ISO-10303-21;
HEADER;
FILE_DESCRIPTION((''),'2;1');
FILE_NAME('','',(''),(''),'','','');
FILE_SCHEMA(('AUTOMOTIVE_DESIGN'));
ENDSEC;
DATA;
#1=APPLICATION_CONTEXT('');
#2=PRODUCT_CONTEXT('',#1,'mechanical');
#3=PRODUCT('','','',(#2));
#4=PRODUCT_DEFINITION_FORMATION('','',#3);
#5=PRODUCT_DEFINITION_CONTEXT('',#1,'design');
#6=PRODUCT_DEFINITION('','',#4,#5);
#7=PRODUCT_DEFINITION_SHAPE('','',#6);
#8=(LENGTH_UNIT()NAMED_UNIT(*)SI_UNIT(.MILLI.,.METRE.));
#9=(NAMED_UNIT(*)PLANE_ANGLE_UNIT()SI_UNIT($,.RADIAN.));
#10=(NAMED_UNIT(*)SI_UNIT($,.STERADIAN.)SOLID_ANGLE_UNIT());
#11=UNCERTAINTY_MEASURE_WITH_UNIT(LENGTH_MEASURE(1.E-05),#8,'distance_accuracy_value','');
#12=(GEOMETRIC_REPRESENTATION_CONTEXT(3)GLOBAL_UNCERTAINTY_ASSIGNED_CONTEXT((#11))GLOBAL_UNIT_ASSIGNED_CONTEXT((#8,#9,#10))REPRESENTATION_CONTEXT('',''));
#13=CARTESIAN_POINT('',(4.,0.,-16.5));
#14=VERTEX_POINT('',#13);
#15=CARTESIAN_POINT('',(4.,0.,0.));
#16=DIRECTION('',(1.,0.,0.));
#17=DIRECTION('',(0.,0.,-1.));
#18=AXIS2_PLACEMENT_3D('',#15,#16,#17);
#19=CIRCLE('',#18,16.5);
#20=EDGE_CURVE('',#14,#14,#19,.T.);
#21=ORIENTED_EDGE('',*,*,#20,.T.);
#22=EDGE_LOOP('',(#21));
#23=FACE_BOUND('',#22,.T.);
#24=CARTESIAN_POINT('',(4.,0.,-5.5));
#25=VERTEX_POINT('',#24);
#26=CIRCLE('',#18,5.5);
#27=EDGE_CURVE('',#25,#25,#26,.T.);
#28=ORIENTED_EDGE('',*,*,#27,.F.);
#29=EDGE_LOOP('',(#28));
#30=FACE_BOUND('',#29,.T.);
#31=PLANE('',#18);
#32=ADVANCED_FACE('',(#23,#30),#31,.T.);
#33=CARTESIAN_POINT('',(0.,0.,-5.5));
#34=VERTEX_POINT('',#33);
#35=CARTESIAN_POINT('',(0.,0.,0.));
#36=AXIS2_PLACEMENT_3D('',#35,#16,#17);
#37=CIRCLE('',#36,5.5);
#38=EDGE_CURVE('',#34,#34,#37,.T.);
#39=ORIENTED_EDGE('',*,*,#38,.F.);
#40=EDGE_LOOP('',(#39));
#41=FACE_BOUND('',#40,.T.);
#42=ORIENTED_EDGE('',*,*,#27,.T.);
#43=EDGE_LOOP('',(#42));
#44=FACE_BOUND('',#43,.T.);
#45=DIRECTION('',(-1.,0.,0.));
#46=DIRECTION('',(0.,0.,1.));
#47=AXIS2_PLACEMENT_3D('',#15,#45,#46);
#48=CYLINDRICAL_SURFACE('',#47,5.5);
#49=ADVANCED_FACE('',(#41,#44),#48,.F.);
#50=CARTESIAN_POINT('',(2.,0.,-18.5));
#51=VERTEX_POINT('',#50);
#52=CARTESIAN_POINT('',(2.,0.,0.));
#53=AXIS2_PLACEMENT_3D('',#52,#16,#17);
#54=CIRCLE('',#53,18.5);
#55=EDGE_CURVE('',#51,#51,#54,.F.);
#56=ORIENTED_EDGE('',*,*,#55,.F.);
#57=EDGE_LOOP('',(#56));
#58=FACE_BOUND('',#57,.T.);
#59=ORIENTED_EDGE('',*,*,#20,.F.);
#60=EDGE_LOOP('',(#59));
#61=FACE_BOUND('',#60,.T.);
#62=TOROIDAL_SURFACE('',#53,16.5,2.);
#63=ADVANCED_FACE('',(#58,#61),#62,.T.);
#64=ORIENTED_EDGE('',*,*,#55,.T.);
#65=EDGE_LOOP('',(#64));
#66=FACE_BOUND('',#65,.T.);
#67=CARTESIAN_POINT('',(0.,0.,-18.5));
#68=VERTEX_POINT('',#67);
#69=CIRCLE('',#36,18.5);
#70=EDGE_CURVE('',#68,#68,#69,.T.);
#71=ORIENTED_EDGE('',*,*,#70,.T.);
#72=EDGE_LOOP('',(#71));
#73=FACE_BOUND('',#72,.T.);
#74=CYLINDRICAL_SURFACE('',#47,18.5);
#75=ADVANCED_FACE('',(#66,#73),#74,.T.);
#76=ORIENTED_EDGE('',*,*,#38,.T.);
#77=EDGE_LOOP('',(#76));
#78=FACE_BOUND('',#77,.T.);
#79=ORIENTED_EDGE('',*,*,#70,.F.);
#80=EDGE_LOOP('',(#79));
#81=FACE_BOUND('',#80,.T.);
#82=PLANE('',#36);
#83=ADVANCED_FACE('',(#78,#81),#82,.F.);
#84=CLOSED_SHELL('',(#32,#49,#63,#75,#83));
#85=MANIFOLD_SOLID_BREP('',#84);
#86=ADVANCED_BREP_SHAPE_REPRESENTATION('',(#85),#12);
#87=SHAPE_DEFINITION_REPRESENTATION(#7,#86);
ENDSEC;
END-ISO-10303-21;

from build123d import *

# Parameters (mm, degrees)
SZKIC1_R                    = 18.5
SZKIC1_R_2                  = 5.5
DODANIE_WYCI_GNI_CIE1_DEPTH = 4
ZAOKR_GLENIE1_R             = 2


with BuildPart() as part:
    # Szkic1 → Dodanie-wyciągnięcie1 (new body)
    with BuildSketch(Plane(origin=(0, 0, 0), x_dir=(0, 0, -1), z_dir=(1, 0, 0))):
        Circle(SZKIC1_R)
        Circle(SZKIC1_R_2, mode=Mode.SUBTRACT)
    extrude(amount=DODANIE_WYCI_GNI_CIE1_DEPTH)

    # Zaokrąglenie1
    zaokr_glenie1_edges = [part.edges().sort_by_distance(p)[0] for p in [
        (4, 0, 18.5),
    ]]
    fillet(zaokr_glenie1_edges, radius=ZAOKR_GLENIE1_R)


solid = part.part
